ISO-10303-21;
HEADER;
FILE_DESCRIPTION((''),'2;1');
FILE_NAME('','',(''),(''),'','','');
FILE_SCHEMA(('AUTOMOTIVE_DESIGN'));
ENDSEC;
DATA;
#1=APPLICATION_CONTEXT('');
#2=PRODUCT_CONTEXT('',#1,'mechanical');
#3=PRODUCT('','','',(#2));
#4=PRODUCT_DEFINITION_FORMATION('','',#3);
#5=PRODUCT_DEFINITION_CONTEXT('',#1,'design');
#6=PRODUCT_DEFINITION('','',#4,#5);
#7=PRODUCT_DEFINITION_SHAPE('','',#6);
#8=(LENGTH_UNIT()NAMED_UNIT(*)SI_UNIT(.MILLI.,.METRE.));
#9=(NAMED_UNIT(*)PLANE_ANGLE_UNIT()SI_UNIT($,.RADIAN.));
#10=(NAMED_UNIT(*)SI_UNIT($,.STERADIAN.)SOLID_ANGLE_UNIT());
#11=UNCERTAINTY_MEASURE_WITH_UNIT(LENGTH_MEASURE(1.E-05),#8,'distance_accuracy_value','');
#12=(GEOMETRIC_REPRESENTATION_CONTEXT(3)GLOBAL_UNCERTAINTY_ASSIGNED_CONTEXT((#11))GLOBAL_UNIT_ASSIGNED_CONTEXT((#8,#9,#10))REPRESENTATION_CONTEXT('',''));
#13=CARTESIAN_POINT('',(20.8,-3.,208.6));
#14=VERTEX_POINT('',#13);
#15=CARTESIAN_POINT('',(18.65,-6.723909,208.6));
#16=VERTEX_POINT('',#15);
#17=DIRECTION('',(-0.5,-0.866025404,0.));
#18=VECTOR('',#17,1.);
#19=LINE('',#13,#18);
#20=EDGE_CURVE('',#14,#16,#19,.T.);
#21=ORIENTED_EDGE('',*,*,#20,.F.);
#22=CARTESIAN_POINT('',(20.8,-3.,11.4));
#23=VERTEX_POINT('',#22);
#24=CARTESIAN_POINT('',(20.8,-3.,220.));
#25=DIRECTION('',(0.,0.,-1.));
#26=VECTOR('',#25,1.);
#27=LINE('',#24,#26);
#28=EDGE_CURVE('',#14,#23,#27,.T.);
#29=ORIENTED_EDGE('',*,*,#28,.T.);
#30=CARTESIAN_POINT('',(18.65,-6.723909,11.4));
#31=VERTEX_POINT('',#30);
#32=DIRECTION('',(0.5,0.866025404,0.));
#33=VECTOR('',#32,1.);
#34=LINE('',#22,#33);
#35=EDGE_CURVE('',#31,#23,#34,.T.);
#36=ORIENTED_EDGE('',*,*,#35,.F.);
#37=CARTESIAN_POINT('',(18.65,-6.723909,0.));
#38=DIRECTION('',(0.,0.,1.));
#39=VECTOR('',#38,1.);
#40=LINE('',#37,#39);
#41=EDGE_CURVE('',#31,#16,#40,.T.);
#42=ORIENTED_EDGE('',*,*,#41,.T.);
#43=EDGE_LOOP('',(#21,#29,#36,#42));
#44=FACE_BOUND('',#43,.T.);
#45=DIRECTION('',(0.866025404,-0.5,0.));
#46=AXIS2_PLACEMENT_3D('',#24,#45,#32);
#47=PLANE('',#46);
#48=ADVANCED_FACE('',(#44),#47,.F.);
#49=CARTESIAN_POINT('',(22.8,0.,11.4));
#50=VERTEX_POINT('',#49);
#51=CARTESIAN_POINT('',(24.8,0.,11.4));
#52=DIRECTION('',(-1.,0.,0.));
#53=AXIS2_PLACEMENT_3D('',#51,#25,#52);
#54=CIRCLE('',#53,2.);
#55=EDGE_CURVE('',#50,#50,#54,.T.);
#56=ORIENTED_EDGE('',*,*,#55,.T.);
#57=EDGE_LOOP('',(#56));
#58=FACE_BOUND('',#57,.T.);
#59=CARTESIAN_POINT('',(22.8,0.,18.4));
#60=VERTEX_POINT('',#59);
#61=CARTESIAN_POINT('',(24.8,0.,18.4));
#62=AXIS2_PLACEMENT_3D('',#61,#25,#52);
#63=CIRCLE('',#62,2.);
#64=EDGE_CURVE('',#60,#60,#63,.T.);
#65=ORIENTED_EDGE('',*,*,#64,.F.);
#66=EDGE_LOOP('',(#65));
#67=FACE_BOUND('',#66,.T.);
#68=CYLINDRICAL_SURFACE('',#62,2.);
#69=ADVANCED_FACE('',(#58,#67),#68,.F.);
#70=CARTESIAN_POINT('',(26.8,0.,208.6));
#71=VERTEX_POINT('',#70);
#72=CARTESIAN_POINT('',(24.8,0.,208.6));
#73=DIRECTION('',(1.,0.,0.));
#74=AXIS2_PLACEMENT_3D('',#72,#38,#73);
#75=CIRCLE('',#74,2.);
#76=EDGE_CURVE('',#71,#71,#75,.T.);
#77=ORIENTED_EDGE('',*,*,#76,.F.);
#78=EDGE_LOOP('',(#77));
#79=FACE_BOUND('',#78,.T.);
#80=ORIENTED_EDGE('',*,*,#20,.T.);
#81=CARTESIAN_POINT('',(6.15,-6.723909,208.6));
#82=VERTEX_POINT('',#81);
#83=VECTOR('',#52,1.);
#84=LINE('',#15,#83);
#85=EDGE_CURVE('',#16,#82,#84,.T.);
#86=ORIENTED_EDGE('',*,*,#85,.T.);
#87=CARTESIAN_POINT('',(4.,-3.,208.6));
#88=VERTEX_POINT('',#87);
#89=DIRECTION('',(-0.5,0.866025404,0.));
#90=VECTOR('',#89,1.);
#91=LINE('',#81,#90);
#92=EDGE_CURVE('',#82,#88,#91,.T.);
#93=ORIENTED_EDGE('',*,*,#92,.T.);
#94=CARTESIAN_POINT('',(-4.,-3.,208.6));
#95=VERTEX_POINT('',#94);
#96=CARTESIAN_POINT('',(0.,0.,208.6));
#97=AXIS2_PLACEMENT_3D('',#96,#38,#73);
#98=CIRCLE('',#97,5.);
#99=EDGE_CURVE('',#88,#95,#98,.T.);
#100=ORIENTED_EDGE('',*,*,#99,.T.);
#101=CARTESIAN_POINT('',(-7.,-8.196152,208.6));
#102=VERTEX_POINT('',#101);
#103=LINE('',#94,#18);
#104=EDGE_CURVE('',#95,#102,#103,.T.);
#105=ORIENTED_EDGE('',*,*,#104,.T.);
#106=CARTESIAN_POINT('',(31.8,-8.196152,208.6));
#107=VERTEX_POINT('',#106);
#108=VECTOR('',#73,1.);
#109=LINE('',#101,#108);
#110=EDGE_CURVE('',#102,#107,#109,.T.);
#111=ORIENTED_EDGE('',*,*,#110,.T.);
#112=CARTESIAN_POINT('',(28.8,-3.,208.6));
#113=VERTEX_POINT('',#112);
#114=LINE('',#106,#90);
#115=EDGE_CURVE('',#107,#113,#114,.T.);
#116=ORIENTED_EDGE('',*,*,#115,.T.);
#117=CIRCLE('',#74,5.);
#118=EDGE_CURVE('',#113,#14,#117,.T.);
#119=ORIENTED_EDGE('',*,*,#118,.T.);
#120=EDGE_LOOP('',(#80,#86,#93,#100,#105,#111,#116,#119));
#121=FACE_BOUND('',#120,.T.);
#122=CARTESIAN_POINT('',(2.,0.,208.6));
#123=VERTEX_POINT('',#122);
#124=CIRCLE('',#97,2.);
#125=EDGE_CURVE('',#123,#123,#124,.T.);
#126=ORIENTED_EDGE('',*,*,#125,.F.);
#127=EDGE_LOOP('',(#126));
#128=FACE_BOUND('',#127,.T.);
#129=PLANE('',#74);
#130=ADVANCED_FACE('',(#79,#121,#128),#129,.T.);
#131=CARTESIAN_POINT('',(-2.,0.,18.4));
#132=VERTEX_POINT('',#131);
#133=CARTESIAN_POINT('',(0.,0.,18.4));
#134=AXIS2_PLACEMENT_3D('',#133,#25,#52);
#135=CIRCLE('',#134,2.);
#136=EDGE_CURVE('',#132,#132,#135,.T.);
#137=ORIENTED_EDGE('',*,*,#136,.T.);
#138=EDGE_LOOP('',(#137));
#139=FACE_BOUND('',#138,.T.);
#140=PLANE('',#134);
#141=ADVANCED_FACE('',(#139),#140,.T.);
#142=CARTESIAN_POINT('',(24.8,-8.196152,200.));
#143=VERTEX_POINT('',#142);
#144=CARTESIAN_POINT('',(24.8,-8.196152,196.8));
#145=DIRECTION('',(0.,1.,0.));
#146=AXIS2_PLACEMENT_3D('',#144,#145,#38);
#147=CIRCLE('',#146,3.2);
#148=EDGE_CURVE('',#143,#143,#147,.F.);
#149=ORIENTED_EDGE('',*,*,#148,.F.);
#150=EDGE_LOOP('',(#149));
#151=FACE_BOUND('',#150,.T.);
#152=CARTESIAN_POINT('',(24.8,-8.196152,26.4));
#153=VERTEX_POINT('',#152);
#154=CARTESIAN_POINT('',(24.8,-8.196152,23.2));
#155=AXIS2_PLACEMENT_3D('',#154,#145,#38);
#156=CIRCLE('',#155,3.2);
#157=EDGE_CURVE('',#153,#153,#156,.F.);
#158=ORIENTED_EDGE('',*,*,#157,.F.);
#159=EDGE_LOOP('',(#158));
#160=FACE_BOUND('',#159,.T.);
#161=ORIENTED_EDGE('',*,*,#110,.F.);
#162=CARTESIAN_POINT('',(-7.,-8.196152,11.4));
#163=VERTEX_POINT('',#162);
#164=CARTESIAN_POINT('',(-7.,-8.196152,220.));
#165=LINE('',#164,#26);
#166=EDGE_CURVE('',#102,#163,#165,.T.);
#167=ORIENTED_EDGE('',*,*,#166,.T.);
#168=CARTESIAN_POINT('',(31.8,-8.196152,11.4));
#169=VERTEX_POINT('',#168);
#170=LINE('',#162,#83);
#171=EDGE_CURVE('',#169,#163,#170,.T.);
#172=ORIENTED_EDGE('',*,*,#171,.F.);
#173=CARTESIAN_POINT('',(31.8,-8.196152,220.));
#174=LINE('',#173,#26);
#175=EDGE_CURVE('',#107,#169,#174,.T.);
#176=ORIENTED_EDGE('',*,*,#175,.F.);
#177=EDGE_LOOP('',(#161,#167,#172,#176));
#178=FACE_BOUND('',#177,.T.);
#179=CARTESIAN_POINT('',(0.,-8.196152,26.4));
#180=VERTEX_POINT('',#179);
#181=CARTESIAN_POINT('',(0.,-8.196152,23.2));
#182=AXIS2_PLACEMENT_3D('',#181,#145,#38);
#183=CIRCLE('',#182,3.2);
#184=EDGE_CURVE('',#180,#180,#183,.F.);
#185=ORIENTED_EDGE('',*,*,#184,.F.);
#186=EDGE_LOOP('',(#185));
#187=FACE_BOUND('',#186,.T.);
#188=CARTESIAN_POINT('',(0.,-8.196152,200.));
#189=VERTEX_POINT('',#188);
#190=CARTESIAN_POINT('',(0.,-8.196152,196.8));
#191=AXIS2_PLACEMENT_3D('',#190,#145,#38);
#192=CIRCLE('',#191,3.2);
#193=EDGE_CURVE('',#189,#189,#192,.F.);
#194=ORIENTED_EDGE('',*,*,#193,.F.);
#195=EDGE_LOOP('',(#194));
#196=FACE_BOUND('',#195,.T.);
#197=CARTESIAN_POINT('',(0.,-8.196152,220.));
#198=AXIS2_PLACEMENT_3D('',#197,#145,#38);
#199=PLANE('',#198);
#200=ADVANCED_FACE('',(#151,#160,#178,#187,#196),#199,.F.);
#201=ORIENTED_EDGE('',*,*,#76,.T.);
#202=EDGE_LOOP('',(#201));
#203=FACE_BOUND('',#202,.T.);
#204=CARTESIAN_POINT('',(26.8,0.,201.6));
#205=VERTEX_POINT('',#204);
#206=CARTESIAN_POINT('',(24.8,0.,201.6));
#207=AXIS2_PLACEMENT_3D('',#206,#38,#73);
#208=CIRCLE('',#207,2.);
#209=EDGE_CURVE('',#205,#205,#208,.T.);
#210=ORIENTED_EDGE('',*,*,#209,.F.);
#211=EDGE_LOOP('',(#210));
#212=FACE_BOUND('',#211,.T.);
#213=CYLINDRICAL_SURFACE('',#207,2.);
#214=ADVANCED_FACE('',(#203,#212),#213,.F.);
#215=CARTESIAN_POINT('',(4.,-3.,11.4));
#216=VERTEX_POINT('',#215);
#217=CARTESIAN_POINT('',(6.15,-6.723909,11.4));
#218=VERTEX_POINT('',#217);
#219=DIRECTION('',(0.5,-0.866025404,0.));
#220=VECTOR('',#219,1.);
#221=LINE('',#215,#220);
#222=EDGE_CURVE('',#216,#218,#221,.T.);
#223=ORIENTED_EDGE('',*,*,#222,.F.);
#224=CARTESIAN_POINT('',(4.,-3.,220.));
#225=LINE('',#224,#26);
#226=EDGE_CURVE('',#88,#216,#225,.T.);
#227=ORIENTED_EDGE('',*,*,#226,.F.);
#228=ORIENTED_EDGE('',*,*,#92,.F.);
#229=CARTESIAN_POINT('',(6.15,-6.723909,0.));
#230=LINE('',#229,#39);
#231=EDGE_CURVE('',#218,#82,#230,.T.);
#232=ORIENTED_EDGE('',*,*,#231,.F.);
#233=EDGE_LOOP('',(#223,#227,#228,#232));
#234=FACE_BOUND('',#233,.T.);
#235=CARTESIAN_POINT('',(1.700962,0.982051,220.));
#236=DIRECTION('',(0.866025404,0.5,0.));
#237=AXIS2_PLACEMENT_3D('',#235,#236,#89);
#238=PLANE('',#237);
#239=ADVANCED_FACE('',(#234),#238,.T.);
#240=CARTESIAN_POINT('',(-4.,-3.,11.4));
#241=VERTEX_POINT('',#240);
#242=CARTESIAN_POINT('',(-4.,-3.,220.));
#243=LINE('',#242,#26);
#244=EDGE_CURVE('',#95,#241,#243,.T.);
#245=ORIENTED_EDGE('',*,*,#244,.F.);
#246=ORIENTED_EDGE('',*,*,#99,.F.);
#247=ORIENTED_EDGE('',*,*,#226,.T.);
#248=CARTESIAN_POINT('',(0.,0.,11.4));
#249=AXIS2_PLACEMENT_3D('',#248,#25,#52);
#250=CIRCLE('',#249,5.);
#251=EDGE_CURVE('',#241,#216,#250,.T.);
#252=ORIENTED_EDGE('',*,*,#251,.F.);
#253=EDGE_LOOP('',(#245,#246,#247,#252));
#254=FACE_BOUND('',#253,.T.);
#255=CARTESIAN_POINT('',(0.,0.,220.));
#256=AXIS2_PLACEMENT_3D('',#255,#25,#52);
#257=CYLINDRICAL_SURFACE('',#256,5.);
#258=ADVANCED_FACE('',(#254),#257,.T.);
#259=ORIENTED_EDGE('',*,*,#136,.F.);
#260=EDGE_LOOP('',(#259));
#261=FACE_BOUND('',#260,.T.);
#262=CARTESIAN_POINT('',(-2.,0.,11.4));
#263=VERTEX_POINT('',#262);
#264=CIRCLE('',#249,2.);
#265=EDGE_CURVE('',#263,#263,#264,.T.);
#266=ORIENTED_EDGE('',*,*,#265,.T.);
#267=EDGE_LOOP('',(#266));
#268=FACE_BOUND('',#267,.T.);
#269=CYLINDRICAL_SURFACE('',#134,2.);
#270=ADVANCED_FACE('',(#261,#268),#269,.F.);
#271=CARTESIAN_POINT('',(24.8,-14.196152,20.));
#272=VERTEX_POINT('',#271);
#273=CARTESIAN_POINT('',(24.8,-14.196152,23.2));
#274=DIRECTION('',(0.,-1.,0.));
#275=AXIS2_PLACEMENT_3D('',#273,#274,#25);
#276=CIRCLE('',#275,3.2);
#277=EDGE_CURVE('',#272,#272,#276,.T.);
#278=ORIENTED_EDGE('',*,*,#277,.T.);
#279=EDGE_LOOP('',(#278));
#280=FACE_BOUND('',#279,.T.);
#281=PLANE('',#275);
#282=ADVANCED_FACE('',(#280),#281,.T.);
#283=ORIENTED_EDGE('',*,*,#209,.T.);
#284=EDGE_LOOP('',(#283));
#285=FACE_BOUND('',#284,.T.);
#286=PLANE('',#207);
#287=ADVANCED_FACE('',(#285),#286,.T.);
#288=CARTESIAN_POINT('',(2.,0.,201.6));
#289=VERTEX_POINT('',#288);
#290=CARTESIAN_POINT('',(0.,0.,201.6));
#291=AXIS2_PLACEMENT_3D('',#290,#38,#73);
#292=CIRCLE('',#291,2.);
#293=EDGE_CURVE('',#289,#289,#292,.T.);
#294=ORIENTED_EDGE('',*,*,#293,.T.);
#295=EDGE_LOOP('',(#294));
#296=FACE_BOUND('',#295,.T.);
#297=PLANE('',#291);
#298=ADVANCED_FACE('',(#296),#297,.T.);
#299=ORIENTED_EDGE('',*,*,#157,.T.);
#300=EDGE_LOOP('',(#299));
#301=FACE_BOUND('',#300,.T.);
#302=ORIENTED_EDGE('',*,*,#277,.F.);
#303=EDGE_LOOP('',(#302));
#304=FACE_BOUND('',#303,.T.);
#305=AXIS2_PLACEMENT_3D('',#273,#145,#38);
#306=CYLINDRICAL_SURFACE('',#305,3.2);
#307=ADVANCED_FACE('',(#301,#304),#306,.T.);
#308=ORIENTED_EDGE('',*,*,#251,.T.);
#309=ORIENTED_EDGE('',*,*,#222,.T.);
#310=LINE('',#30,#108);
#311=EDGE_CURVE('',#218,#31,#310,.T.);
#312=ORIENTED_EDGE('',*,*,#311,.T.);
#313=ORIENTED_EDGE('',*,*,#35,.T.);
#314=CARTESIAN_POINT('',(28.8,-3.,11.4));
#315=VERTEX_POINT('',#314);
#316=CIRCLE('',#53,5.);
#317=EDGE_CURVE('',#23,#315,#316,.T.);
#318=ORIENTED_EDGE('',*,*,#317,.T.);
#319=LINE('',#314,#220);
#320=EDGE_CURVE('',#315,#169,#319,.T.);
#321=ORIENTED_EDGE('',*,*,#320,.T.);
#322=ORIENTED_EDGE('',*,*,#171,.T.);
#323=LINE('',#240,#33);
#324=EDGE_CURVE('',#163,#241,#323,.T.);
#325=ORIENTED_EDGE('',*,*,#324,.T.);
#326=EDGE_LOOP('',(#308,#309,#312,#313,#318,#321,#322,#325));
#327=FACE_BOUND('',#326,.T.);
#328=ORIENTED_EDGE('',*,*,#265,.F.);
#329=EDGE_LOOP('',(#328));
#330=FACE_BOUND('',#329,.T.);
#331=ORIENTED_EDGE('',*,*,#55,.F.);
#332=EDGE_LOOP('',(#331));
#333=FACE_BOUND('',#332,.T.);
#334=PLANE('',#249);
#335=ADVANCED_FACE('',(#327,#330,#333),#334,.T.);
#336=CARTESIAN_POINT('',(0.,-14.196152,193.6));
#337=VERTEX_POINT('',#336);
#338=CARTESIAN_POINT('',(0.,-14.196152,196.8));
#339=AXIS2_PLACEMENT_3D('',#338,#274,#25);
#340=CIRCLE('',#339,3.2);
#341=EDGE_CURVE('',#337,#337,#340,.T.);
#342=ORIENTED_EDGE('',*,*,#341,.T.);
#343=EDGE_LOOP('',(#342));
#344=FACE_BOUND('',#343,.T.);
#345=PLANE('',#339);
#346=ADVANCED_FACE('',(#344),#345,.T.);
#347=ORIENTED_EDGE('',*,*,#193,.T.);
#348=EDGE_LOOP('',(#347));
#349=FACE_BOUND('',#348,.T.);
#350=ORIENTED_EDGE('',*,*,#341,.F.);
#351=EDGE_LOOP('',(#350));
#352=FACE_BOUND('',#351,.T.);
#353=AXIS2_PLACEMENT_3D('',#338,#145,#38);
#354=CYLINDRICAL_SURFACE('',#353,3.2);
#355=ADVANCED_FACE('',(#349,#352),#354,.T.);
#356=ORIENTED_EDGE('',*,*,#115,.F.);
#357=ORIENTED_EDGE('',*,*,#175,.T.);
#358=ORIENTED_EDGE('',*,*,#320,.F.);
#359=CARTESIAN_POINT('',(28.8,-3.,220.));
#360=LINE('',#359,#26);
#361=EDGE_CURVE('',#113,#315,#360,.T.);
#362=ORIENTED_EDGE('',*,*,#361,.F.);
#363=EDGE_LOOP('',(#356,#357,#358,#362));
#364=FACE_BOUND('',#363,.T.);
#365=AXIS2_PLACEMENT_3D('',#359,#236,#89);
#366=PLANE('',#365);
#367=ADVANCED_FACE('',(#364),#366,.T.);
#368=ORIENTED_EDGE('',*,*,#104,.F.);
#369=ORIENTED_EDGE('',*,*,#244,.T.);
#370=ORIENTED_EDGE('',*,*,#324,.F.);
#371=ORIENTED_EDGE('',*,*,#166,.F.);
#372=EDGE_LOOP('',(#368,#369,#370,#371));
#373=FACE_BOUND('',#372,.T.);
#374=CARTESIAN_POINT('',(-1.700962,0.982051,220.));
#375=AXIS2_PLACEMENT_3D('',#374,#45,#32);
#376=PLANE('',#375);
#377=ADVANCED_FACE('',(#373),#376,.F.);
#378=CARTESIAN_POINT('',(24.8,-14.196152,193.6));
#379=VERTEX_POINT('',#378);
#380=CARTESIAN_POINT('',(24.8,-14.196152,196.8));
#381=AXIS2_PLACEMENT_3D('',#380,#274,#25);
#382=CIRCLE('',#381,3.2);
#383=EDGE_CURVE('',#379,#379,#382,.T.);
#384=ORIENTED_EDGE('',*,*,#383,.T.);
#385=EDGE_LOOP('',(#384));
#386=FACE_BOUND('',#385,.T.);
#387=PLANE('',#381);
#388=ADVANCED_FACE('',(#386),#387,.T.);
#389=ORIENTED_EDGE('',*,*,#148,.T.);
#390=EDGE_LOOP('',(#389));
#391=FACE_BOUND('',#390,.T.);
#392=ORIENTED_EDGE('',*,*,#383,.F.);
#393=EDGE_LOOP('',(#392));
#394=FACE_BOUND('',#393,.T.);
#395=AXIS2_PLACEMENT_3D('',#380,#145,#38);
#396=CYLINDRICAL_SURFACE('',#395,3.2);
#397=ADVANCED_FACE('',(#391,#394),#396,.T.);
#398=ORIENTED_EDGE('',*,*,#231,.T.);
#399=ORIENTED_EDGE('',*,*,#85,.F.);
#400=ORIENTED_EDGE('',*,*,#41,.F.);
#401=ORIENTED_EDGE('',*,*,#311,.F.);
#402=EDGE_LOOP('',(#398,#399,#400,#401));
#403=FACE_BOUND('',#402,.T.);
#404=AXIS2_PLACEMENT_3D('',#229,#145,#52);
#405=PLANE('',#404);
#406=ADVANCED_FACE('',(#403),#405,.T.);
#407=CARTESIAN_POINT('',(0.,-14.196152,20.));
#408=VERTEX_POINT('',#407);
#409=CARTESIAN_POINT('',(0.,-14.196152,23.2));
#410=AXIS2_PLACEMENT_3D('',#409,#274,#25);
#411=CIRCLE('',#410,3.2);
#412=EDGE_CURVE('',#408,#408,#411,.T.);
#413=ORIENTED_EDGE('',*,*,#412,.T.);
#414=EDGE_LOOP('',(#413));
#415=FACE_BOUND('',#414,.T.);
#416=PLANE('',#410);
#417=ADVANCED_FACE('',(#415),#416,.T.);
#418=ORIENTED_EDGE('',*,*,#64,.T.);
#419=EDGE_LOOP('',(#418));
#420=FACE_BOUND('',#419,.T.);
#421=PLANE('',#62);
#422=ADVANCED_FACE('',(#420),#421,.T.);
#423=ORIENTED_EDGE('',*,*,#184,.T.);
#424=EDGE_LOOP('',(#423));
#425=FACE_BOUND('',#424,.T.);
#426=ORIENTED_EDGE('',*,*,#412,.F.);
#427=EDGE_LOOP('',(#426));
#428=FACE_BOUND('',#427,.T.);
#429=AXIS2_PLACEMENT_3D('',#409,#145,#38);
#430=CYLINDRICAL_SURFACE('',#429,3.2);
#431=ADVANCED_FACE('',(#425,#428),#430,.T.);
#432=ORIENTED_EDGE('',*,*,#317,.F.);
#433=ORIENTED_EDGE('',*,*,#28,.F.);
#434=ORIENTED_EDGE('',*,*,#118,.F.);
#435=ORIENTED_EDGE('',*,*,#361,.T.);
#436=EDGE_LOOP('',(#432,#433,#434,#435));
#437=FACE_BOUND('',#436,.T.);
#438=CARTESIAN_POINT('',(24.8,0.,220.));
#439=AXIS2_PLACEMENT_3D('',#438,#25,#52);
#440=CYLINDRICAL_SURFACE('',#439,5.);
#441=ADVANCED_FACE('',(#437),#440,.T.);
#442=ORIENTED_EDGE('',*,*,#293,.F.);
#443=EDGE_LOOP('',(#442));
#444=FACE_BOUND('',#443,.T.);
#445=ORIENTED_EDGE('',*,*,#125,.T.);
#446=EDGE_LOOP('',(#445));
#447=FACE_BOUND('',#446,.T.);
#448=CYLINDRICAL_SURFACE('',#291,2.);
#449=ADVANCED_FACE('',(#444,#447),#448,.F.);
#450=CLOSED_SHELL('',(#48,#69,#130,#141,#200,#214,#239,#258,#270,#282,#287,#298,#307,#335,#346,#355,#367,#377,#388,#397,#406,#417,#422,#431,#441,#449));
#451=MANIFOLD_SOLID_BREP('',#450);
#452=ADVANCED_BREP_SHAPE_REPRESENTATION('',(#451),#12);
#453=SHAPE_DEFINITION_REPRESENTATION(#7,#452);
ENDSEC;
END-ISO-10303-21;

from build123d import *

# Parameters (mm, degrees)
SKETCH1_R           = 5
BOSS_EXTRUDE1_DEPTH = 220
SKETCH4_R           = 3.2
BOSS_EXTRUDE3_DEPTH = 6
BOSS_EXTRUDE4_DEPTH = 220
SKETCH5_R           = 1.37
CUT_EXTRUDE1_DEPTH  = 7
SKETCH6_R           = 1.37
CUT_EXTRUDE2_DEPTH  = 7
SKETCH7_R           = 3.2
CUT_EXTRUDE3_DEPTH  = 6
CUT_EXTRUDE4_DEPTH  = 11.4
SKETCH10_R          = 2
CUT_EXTRUDE5_DEPTH  = 7
CUT_EXTRUDE6_DEPTH  = 11.4
SKETCH12_R          = 2
CUT_EXTRUDE7_DEPTH  = 7


with BuildPart() as part:
    # Sketch1 → Boss-Extrude1 (new body)
    with BuildSketch(Plane.XY):
        Circle(SKETCH1_R)
        with BuildLine():
            Line((-4, -3), (-7, -8.196152423))
            Line((-7, -8.196152423), (7, -8.196152423))
            Line((7, -8.196152423), (4, -3))
            ThreePointArc((4, -3), (0, 5), (-4, -3))
        make_face()
        with BuildLine():
            Line((28.8, -3), (31.8, -8.196152423))
            Line((31.8, -8.196152423), (17.8, -8.196152423))
            Line((17.8, -8.196152423), (20.8, -3))
            ThreePointArc((20.8, -3), (24.8, 5), (28.8, -3))
        make_face()
    extrude(amount=BOSS_EXTRUDE1_DEPTH)

    # Sketch4 → Boss-Extrude3 (add)
    with BuildSketch(Plane.XZ.offset(8.196152423)):
        with Locations((0, 196.8)):
            Circle(SKETCH4_R)
        with Locations((24.8, 196.8)):
            Circle(SKETCH4_R)
        with Locations((24.8, 172)):
            Circle(SKETCH4_R)
        with Locations((24.8, 147.2)):
            Circle(SKETCH4_R)
        with Locations((24.8, 122.4)):
            Circle(SKETCH4_R)
        with Locations((24.8, 97.6)):
            Circle(SKETCH4_R)
        with Locations((24.8, 72.8)):
            Circle(SKETCH4_R)
        with Locations((24.8, 48)):
            Circle(SKETCH4_R)
        with Locations((24.8, 23.2)):
            Circle(SKETCH4_R)
        with Locations((0, 172)):
            Circle(SKETCH4_R)
        with Locations((0, 147.2)):
            Circle(SKETCH4_R)
        with Locations((0, 122.4)):
            Circle(SKETCH4_R)
        with Locations((0, 97.6)):
            Circle(SKETCH4_R)
        with Locations((0, 72.8)):
            Circle(SKETCH4_R)
        with Locations((0, 48)):
            Circle(SKETCH4_R)
        with Locations((0, 23.2)):
            Circle(SKETCH4_R)
    extrude(amount=BOSS_EXTRUDE3_DEPTH)

    # Sketch3 → Boss-Extrude4 (add)
    with BuildSketch(Plane.XY.offset(220)):
        Polygon((7, -8.196152423), (17.8, -8.196152423), (18.65, -8.196152423), (18.65, -6.723909236), (6.15, -6.723909236), (6.15, -8.196152423), align=None)
    extrude(amount=-BOSS_EXTRUDE4_DEPTH)

    # Sketch5 → Cut-Extrude1 (cut)
    with BuildSketch(Plane(origin=(0, 0, 0), x_dir=(-1, 0, 0), z_dir=(0, 0, -1))):
        Circle(SKETCH5_R)
        with Locations((-24.8, 0)):
            Circle(SKETCH5_R)
    extrude(amount=-CUT_EXTRUDE1_DEPTH, mode=Mode.SUBTRACT)

    # Sketch6 → Cut-Extrude2 (cut)
    with BuildSketch(Plane.XY.offset(220)):
        Circle(SKETCH6_R)
        with Locations((24.8, 0)):
            Circle(SKETCH6_R)
    extrude(amount=-CUT_EXTRUDE2_DEPTH, mode=Mode.SUBTRACT)

    # Sketch7 → Cut-Extrude3 (cut)
    with BuildSketch(Plane.XZ.offset(14.196152423)):
        with Locations((0, 172)):
            Circle(SKETCH7_R)
        with Locations((24.8, 172)):
            Circle(SKETCH7_R)
        with Locations((24.8, 147.2)):
            Circle(SKETCH7_R)
        with Locations((24.8, 122.4)):
            Circle(SKETCH7_R)
        with Locations((24.8, 97.6)):
            Circle(SKETCH7_R)
        with Locations((24.8, 72.8)):
            Circle(SKETCH7_R)
        with Locations((24.8, 48)):
            Circle(SKETCH7_R)
        with Locations((0, 147.2)):
            Circle(SKETCH7_R)
        with Locations((0, 122.4)):
            Circle(SKETCH7_R)
        with Locations((0, 97.6)):
            Circle(SKETCH7_R)
        with Locations((0, 72.8)):
            Circle(SKETCH7_R)
        with Locations((0, 48)):
            Circle(SKETCH7_R)
    extrude(amount=-CUT_EXTRUDE3_DEPTH, mode=Mode.SUBTRACT)

    # Sketch9 → Cut-Extrude4 (cut)
    with BuildSketch(Plane(origin=(0, 0, 0), x_dir=(-1, 0, 0), z_dir=(0, 0, -1))):
        with BuildLine():
            Line((4, -3), (7, -8.196152423))
            Line((7, -8.196152423), (-31.8, -8.196152423))
            Line((-31.8, -8.196152423), (-28.8, -3))
            ThreePointArc((-28.8, -3), (-24.8, 5), (-20.8, -3))
            Line((-20.8, -3), (-18.65, -6.723909236))
            Line((-18.65, -6.723909236), (-6.15, -6.723909236))
            Line((-6.15, -6.723909236), (-4, -3))
            ThreePointArc((-4, -3), (0, 5), (4, -3))
        make_face()
    extrude(amount=-CUT_EXTRUDE4_DEPTH, mode=Mode.SUBTRACT)

    # Sketch10 → Cut-Extrude5 (cut)
    with BuildSketch(Plane(origin=(0, 0, 11.4), x_dir=(-1, 0, 0), z_dir=(0, 0, -1))):
        with Locations((-24.8, 0)):
            Circle(SKETCH10_R)
        Circle(SKETCH10_R)
    extrude(amount=-CUT_EXTRUDE5_DEPTH, mode=Mode.SUBTRACT)

    # Sketch11 → Cut-Extrude6 (cut)
    with BuildSketch(Plane.XY.offset(220)):
        with BuildLine():
            Line((20.8, -3), (18.65, -6.723909236))
            Line((18.65, -6.723909236), (6.15, -6.723909236))
            Line((6.15, -6.723909236), (4, -3))
            ThreePointArc((4, -3), (0, 5), (-4, -3))
            Line((-4, -3), (-7, -8.196152423))
            Line((-7, -8.196152423), (31.8, -8.196152423))
            Line((31.8, -8.196152423), (28.8, -3))
            ThreePointArc((28.8, -3), (24.8, 5), (20.8, -3))
        make_face()
    extrude(amount=-CUT_EXTRUDE6_DEPTH, mode=Mode.SUBTRACT)

    # Sketch12 → Cut-Extrude7 (cut)
    with BuildSketch(Plane.XY.offset(208.6)):
        Circle(SKETCH12_R)
        with Locations((24.8, 0)):
            Circle(SKETCH12_R)
    extrude(amount=-CUT_EXTRUDE7_DEPTH, mode=Mode.SUBTRACT)


solid = part.part
